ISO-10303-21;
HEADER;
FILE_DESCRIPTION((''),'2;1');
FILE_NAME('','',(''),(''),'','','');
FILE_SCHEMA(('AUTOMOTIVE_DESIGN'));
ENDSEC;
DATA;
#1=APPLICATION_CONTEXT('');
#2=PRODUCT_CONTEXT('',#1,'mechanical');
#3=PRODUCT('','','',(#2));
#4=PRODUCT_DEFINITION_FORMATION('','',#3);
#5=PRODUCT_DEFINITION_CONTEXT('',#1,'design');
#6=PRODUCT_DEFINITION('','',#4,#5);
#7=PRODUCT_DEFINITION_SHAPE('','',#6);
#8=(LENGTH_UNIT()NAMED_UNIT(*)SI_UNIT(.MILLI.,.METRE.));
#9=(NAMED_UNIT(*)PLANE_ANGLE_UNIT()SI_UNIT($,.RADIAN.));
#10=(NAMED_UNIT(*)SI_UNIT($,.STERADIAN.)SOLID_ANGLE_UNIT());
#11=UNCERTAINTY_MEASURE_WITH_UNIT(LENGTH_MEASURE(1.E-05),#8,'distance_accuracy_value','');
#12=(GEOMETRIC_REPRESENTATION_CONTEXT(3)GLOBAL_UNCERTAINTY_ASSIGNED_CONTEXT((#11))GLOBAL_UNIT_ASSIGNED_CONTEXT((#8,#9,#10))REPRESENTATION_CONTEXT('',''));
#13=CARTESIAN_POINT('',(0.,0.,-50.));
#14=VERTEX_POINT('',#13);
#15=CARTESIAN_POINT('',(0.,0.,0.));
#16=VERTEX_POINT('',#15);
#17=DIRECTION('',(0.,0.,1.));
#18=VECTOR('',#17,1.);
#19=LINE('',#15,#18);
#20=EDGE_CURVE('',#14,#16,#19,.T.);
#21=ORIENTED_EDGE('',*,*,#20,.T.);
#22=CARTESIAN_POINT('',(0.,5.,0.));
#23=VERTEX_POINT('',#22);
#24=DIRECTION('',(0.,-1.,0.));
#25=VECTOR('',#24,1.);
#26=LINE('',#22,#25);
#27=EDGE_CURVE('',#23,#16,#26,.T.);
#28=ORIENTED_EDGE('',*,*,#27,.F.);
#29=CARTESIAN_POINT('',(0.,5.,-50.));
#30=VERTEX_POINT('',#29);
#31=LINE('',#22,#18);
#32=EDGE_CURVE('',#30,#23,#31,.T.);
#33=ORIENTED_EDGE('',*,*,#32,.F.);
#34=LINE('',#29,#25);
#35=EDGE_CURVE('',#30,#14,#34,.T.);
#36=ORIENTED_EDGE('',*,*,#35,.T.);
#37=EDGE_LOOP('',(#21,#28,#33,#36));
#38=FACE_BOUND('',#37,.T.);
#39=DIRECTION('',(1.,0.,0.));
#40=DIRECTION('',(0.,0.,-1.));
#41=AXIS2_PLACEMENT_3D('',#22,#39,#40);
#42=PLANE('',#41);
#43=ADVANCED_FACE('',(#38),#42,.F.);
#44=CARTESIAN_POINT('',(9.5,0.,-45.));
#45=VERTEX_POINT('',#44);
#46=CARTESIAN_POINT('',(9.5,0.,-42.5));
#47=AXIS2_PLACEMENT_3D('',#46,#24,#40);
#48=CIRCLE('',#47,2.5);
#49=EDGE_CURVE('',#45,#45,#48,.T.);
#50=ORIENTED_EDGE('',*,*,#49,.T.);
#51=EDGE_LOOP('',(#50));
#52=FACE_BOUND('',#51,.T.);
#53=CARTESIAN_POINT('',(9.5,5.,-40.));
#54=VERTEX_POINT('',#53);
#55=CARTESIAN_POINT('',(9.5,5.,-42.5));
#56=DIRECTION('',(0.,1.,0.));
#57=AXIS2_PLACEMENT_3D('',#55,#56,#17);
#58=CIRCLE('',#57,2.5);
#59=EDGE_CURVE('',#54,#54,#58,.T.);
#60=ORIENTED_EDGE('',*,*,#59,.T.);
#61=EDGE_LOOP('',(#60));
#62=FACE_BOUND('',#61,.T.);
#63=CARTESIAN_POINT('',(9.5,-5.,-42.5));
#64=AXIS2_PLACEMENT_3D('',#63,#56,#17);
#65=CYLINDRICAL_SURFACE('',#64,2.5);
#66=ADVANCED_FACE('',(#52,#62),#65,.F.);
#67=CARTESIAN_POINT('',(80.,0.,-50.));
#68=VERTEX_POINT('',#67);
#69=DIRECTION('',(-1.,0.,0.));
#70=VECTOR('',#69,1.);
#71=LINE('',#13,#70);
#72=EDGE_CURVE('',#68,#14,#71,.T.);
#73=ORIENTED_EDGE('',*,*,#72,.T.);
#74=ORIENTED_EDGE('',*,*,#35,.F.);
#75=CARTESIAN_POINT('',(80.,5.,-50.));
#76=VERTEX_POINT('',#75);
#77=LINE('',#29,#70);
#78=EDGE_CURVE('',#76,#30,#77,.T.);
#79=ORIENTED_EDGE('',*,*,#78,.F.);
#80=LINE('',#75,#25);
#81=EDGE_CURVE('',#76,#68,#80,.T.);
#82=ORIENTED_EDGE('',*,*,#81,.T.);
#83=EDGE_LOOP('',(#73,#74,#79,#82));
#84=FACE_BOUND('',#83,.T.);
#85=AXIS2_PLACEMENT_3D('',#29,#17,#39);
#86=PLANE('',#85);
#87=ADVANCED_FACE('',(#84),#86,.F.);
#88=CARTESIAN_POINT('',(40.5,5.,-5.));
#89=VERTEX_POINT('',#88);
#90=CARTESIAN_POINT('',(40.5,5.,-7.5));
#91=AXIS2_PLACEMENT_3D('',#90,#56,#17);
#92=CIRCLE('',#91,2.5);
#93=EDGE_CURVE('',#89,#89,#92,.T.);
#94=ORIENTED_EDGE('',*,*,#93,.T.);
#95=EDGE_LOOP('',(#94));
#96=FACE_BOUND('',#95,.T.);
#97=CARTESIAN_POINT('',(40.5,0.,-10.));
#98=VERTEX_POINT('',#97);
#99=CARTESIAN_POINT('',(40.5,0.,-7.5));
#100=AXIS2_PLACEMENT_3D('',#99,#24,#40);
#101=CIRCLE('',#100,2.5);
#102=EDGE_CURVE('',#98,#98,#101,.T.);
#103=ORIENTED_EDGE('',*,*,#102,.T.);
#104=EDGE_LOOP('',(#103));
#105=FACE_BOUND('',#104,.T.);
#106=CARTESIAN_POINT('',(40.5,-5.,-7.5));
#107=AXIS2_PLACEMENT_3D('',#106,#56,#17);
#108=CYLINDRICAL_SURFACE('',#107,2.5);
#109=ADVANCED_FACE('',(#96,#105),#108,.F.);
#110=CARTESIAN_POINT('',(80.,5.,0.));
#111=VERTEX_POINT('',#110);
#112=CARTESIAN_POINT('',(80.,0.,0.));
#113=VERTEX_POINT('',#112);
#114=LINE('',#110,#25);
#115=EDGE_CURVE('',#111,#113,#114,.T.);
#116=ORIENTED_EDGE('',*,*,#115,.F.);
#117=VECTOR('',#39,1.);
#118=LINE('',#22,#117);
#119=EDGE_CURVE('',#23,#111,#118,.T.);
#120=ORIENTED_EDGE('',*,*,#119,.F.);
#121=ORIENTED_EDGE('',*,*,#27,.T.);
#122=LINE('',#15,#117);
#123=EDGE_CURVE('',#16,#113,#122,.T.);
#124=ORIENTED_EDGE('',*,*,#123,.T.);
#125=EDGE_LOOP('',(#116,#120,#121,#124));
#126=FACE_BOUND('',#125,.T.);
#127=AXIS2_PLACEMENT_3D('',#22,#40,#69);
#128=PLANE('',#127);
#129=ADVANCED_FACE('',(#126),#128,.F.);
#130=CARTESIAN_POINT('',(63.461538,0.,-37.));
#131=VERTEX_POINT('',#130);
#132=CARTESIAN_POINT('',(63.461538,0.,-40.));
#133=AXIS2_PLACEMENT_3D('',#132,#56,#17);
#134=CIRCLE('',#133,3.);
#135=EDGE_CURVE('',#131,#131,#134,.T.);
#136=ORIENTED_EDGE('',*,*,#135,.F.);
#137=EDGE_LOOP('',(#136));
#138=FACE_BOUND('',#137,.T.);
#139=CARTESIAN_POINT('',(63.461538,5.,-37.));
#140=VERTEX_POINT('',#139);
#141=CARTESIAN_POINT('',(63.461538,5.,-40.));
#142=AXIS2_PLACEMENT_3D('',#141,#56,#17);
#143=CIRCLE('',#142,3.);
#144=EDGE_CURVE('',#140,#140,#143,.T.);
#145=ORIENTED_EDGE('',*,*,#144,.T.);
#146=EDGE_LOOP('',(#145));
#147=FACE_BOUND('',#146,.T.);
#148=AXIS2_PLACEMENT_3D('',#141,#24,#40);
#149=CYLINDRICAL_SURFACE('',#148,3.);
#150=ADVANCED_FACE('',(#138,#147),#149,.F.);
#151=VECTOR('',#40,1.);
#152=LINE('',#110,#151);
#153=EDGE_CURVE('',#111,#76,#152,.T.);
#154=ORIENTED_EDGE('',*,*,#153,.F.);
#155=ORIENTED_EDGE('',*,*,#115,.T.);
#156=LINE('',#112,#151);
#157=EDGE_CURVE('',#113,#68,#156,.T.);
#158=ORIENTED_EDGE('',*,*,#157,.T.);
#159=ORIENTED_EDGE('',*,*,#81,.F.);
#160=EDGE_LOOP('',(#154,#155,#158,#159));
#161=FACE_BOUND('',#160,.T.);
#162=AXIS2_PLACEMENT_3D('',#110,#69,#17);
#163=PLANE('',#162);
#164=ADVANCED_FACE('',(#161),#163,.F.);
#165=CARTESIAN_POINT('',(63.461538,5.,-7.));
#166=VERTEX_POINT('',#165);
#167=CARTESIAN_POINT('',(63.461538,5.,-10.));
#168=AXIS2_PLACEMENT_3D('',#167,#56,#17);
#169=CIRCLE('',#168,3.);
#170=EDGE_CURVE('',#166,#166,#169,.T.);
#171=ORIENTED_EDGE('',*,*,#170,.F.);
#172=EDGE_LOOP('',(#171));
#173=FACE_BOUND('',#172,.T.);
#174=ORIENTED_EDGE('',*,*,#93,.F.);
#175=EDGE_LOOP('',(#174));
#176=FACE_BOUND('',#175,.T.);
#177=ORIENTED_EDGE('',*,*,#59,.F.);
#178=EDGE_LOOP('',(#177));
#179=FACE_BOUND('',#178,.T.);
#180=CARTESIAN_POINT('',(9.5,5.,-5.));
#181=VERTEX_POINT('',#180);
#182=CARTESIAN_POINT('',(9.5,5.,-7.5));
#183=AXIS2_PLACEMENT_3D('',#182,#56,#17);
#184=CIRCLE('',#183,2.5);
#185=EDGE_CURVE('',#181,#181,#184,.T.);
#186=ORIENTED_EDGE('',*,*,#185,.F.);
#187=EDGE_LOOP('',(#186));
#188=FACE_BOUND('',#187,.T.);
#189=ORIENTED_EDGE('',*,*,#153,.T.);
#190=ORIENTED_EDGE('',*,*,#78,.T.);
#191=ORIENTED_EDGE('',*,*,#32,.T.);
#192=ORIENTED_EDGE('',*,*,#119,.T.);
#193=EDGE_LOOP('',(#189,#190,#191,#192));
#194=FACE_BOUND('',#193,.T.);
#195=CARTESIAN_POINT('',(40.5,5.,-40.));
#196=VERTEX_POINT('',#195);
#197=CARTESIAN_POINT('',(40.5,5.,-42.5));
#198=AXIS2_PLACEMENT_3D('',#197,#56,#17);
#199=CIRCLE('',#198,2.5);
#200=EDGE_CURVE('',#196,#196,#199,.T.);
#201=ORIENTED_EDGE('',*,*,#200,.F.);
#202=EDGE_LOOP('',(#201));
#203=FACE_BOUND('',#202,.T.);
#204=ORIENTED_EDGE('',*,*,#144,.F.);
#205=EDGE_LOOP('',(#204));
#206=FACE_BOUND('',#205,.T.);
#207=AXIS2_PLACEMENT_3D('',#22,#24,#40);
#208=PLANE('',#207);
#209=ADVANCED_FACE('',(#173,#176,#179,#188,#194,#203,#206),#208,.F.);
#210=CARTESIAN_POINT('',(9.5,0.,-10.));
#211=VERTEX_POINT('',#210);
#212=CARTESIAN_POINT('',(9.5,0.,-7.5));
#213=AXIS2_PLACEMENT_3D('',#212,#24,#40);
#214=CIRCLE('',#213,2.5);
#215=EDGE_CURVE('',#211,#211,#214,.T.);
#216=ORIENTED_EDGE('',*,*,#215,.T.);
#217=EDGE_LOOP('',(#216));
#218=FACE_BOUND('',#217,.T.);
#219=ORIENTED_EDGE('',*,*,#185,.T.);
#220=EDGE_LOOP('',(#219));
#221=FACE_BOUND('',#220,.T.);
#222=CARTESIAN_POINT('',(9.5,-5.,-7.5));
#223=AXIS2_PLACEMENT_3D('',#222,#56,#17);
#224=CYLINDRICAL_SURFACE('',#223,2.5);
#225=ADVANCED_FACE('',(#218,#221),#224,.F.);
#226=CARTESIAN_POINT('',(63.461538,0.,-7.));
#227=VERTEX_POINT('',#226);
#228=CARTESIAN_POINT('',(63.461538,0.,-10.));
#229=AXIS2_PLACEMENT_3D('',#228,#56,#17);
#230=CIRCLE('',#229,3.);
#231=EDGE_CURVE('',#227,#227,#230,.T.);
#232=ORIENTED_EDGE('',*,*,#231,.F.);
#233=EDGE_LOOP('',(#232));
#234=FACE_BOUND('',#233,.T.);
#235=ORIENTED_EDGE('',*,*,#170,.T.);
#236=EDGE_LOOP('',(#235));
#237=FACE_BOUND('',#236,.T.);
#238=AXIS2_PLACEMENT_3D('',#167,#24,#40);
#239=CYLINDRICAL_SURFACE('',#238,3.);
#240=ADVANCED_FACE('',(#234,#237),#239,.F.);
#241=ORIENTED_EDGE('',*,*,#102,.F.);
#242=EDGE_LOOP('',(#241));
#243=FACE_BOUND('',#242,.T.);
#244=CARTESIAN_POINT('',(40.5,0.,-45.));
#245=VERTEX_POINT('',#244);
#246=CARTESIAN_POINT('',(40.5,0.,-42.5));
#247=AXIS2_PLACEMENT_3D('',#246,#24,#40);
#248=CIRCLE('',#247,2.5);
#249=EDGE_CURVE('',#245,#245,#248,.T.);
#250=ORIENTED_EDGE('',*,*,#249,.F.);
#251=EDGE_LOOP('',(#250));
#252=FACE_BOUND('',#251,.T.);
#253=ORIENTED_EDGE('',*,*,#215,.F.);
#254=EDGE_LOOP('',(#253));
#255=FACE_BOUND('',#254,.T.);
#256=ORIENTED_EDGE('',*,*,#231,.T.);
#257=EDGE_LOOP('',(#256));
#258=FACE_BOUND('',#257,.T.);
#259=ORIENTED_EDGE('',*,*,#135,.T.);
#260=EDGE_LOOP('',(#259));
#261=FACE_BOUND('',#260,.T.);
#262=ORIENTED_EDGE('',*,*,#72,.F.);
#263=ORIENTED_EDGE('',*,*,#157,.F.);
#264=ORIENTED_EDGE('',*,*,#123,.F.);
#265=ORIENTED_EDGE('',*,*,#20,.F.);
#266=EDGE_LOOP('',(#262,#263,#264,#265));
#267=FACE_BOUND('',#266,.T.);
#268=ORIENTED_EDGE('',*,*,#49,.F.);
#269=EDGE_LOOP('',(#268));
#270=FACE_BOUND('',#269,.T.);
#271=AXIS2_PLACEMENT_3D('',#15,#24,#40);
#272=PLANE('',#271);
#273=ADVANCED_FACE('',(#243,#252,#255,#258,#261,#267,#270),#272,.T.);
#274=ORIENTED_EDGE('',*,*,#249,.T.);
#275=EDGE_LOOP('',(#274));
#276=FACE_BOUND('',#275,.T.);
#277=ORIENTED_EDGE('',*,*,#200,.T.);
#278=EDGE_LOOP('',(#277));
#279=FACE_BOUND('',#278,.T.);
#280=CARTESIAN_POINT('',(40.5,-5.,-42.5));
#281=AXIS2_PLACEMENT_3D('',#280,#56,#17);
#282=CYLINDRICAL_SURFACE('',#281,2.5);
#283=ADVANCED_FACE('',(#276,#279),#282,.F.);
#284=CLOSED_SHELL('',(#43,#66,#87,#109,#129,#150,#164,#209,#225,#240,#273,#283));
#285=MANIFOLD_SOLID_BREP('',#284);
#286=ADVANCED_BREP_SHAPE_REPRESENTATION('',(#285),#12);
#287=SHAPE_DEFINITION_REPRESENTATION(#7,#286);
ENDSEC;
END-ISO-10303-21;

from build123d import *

# Parameters (mm, degrees)
SKETCH2_W           = 80
SKETCH2_H           = 50
SKETCH2_R           = 3
BOSS_EXTRUDE1_DEPTH = 5
SKETCH3_R           = 2.5
CUT_EXTRUDE1_DEPTH  = 10


with BuildPart() as part:
    # Sketch2 → Boss-Extrude1 (new body)
    with BuildSketch(Plane(origin=(0, 0, 0), x_dir=(1, 0, 0), z_dir=(0, 1, 0))):
        with Locations((40, 25)):
            Rectangle(SKETCH2_W, SKETCH2_H)
        with Locations(Location((63.461538462, 10, 0), (0, 0, 270))):
            Circle(SKETCH2_R, mode=Mode.SUBTRACT)
        with Locations(Location((63.461538462, 40, 0), (0, 0, 270))):
            Circle(SKETCH2_R, mode=Mode.SUBTRACT)
    extrude(amount=BOSS_EXTRUDE1_DEPTH)

    # Sketch3 → Cut-Extrude1 (cut)
    with BuildSketch(Plane(origin=(0, 5, 0), x_dir=(1, 0, 0), z_dir=(0, 1, 0))):
        with Locations(Location((40.5, 7.5, 0), (0, 0, 270))):
            Circle(SKETCH3_R)
        with Locations(Location((9.5, 7.5, 0), (0, 0, 270))):
            Circle(SKETCH3_R)
        with Locations(Location((40.5, 42.5, 0), (0, 0, 270))):
            Circle(SKETCH3_R)
        with Locations(Location((9.5, 42.5, 0), (0, 0, 270))):
            Circle(SKETCH3_R)
    extrude(amount=-CUT_EXTRUDE1_DEPTH, mode=Mode.SUBTRACT)


solid = part.part
